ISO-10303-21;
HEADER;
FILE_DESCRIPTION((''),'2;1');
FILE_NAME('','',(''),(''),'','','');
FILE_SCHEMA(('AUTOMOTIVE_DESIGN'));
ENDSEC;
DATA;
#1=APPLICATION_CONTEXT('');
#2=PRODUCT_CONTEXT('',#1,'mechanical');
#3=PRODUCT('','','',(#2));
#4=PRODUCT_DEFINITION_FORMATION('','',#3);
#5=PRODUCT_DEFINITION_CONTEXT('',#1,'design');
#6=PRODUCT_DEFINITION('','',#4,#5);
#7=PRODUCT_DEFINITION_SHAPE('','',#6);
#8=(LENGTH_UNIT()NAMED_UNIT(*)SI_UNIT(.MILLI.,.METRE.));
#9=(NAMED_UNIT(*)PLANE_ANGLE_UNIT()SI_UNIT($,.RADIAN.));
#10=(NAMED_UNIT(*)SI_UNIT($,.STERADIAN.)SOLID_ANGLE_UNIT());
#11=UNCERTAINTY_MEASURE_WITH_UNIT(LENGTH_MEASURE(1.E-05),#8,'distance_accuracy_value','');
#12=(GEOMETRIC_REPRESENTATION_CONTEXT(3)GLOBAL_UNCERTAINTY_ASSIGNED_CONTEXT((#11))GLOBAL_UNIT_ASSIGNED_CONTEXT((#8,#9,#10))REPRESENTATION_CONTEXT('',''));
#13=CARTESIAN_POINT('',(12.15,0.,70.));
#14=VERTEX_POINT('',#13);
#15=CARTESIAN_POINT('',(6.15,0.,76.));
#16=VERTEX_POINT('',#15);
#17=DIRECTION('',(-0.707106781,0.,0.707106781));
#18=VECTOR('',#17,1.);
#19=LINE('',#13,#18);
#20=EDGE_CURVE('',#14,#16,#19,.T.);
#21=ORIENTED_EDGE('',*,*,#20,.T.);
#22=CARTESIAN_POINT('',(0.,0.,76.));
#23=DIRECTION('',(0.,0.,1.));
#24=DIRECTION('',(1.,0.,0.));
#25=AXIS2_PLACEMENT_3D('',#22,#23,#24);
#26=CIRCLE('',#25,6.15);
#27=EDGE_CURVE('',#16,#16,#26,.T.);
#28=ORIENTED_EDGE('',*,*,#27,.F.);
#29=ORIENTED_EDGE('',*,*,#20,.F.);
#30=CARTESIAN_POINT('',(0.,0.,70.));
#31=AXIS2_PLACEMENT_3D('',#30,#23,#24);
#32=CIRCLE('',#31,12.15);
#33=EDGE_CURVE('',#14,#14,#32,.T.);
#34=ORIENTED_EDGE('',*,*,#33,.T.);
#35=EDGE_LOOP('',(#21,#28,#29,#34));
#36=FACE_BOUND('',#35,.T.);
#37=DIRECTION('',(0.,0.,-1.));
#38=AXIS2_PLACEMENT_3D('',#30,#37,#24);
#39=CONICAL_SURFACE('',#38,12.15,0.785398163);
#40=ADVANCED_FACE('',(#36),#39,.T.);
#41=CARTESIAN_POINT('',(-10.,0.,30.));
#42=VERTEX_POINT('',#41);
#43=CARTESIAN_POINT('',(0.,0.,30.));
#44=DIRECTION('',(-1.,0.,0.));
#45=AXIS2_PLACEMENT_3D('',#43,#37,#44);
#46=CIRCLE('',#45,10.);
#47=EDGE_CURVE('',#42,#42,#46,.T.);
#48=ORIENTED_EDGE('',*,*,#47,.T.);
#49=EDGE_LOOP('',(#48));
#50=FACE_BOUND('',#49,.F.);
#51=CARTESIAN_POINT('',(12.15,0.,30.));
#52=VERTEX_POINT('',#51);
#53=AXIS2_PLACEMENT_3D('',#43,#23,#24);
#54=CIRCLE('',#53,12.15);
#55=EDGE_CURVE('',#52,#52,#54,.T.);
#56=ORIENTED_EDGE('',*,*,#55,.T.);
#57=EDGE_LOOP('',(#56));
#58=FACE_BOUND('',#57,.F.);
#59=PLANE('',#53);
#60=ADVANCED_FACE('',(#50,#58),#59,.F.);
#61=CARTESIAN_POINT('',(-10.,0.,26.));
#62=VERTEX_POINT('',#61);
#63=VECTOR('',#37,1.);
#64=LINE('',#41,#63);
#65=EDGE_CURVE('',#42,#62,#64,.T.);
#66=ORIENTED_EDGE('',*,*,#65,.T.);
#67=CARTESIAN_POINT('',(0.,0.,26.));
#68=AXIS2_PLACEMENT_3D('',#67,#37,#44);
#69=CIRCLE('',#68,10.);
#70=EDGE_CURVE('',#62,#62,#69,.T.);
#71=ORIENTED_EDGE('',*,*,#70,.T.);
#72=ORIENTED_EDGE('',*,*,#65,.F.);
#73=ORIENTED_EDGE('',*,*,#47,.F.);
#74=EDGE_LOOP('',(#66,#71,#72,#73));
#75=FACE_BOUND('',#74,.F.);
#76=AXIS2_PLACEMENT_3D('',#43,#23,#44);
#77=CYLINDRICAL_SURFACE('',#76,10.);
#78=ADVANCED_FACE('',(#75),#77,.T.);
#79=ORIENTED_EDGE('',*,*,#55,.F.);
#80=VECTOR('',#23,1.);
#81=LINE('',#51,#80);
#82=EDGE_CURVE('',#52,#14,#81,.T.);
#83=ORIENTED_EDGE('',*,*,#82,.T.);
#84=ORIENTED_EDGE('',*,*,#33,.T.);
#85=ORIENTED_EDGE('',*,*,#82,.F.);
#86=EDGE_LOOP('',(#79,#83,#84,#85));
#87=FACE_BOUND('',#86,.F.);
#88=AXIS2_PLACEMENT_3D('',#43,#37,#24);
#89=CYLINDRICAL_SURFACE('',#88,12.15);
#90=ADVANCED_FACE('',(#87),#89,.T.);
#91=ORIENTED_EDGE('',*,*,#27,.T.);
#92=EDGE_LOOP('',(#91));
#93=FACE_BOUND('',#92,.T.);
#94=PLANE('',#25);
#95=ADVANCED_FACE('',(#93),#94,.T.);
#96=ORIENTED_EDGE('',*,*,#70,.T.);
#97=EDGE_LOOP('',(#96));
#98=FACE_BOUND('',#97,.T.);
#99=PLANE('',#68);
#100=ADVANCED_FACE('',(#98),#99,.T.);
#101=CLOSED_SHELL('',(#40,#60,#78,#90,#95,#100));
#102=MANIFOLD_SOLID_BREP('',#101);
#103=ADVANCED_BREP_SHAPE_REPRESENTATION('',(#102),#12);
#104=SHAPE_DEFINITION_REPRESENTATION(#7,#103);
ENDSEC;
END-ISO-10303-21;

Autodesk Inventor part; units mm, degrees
ref_plane "YZ Plane" through (0, 0, 0) normal (1, 0, 0) x (0, 1, 0)
ref_plane "XZ Plane" through (0, 0, 0) normal (0, 1, 0) x (-1, 0, 0)
ref_plane "XY Plane" through (0, 0, 0) normal (0, 0, 1) x (1, 0, 0)
ref_plane "Work Plane3" through (0, 0, 30) normal (0, 0, 1) x (1, 0, 0)
sketch "Sketch2" plane through (0, 0, 30) normal (0, 0, 1) x (1, 0, 0)
  circle A0 centre (0, 0) radius 12.15
  dimension "d12" = 24.3
extrude "Extrusion1" add sketch "Sketch2" along normal blind 46
chamfer "Chamfer2" distance 6 angle 45 1 edges at (-12.15, 0, 76)
sketch "Sketch3" plane through (0, 0, 30) normal (0, 0, -1) x (-1, 0, 0)
  circle A0 centre (0, 0) radius 12.15 projected
  circle A1 centre (0, 0) radius 10
  dimension "d9" = 20
extrude "Extrusion2" add sketch "Sketch3" along normal blind 4 contours A1
properties part number "00_Microscope_Objective"
